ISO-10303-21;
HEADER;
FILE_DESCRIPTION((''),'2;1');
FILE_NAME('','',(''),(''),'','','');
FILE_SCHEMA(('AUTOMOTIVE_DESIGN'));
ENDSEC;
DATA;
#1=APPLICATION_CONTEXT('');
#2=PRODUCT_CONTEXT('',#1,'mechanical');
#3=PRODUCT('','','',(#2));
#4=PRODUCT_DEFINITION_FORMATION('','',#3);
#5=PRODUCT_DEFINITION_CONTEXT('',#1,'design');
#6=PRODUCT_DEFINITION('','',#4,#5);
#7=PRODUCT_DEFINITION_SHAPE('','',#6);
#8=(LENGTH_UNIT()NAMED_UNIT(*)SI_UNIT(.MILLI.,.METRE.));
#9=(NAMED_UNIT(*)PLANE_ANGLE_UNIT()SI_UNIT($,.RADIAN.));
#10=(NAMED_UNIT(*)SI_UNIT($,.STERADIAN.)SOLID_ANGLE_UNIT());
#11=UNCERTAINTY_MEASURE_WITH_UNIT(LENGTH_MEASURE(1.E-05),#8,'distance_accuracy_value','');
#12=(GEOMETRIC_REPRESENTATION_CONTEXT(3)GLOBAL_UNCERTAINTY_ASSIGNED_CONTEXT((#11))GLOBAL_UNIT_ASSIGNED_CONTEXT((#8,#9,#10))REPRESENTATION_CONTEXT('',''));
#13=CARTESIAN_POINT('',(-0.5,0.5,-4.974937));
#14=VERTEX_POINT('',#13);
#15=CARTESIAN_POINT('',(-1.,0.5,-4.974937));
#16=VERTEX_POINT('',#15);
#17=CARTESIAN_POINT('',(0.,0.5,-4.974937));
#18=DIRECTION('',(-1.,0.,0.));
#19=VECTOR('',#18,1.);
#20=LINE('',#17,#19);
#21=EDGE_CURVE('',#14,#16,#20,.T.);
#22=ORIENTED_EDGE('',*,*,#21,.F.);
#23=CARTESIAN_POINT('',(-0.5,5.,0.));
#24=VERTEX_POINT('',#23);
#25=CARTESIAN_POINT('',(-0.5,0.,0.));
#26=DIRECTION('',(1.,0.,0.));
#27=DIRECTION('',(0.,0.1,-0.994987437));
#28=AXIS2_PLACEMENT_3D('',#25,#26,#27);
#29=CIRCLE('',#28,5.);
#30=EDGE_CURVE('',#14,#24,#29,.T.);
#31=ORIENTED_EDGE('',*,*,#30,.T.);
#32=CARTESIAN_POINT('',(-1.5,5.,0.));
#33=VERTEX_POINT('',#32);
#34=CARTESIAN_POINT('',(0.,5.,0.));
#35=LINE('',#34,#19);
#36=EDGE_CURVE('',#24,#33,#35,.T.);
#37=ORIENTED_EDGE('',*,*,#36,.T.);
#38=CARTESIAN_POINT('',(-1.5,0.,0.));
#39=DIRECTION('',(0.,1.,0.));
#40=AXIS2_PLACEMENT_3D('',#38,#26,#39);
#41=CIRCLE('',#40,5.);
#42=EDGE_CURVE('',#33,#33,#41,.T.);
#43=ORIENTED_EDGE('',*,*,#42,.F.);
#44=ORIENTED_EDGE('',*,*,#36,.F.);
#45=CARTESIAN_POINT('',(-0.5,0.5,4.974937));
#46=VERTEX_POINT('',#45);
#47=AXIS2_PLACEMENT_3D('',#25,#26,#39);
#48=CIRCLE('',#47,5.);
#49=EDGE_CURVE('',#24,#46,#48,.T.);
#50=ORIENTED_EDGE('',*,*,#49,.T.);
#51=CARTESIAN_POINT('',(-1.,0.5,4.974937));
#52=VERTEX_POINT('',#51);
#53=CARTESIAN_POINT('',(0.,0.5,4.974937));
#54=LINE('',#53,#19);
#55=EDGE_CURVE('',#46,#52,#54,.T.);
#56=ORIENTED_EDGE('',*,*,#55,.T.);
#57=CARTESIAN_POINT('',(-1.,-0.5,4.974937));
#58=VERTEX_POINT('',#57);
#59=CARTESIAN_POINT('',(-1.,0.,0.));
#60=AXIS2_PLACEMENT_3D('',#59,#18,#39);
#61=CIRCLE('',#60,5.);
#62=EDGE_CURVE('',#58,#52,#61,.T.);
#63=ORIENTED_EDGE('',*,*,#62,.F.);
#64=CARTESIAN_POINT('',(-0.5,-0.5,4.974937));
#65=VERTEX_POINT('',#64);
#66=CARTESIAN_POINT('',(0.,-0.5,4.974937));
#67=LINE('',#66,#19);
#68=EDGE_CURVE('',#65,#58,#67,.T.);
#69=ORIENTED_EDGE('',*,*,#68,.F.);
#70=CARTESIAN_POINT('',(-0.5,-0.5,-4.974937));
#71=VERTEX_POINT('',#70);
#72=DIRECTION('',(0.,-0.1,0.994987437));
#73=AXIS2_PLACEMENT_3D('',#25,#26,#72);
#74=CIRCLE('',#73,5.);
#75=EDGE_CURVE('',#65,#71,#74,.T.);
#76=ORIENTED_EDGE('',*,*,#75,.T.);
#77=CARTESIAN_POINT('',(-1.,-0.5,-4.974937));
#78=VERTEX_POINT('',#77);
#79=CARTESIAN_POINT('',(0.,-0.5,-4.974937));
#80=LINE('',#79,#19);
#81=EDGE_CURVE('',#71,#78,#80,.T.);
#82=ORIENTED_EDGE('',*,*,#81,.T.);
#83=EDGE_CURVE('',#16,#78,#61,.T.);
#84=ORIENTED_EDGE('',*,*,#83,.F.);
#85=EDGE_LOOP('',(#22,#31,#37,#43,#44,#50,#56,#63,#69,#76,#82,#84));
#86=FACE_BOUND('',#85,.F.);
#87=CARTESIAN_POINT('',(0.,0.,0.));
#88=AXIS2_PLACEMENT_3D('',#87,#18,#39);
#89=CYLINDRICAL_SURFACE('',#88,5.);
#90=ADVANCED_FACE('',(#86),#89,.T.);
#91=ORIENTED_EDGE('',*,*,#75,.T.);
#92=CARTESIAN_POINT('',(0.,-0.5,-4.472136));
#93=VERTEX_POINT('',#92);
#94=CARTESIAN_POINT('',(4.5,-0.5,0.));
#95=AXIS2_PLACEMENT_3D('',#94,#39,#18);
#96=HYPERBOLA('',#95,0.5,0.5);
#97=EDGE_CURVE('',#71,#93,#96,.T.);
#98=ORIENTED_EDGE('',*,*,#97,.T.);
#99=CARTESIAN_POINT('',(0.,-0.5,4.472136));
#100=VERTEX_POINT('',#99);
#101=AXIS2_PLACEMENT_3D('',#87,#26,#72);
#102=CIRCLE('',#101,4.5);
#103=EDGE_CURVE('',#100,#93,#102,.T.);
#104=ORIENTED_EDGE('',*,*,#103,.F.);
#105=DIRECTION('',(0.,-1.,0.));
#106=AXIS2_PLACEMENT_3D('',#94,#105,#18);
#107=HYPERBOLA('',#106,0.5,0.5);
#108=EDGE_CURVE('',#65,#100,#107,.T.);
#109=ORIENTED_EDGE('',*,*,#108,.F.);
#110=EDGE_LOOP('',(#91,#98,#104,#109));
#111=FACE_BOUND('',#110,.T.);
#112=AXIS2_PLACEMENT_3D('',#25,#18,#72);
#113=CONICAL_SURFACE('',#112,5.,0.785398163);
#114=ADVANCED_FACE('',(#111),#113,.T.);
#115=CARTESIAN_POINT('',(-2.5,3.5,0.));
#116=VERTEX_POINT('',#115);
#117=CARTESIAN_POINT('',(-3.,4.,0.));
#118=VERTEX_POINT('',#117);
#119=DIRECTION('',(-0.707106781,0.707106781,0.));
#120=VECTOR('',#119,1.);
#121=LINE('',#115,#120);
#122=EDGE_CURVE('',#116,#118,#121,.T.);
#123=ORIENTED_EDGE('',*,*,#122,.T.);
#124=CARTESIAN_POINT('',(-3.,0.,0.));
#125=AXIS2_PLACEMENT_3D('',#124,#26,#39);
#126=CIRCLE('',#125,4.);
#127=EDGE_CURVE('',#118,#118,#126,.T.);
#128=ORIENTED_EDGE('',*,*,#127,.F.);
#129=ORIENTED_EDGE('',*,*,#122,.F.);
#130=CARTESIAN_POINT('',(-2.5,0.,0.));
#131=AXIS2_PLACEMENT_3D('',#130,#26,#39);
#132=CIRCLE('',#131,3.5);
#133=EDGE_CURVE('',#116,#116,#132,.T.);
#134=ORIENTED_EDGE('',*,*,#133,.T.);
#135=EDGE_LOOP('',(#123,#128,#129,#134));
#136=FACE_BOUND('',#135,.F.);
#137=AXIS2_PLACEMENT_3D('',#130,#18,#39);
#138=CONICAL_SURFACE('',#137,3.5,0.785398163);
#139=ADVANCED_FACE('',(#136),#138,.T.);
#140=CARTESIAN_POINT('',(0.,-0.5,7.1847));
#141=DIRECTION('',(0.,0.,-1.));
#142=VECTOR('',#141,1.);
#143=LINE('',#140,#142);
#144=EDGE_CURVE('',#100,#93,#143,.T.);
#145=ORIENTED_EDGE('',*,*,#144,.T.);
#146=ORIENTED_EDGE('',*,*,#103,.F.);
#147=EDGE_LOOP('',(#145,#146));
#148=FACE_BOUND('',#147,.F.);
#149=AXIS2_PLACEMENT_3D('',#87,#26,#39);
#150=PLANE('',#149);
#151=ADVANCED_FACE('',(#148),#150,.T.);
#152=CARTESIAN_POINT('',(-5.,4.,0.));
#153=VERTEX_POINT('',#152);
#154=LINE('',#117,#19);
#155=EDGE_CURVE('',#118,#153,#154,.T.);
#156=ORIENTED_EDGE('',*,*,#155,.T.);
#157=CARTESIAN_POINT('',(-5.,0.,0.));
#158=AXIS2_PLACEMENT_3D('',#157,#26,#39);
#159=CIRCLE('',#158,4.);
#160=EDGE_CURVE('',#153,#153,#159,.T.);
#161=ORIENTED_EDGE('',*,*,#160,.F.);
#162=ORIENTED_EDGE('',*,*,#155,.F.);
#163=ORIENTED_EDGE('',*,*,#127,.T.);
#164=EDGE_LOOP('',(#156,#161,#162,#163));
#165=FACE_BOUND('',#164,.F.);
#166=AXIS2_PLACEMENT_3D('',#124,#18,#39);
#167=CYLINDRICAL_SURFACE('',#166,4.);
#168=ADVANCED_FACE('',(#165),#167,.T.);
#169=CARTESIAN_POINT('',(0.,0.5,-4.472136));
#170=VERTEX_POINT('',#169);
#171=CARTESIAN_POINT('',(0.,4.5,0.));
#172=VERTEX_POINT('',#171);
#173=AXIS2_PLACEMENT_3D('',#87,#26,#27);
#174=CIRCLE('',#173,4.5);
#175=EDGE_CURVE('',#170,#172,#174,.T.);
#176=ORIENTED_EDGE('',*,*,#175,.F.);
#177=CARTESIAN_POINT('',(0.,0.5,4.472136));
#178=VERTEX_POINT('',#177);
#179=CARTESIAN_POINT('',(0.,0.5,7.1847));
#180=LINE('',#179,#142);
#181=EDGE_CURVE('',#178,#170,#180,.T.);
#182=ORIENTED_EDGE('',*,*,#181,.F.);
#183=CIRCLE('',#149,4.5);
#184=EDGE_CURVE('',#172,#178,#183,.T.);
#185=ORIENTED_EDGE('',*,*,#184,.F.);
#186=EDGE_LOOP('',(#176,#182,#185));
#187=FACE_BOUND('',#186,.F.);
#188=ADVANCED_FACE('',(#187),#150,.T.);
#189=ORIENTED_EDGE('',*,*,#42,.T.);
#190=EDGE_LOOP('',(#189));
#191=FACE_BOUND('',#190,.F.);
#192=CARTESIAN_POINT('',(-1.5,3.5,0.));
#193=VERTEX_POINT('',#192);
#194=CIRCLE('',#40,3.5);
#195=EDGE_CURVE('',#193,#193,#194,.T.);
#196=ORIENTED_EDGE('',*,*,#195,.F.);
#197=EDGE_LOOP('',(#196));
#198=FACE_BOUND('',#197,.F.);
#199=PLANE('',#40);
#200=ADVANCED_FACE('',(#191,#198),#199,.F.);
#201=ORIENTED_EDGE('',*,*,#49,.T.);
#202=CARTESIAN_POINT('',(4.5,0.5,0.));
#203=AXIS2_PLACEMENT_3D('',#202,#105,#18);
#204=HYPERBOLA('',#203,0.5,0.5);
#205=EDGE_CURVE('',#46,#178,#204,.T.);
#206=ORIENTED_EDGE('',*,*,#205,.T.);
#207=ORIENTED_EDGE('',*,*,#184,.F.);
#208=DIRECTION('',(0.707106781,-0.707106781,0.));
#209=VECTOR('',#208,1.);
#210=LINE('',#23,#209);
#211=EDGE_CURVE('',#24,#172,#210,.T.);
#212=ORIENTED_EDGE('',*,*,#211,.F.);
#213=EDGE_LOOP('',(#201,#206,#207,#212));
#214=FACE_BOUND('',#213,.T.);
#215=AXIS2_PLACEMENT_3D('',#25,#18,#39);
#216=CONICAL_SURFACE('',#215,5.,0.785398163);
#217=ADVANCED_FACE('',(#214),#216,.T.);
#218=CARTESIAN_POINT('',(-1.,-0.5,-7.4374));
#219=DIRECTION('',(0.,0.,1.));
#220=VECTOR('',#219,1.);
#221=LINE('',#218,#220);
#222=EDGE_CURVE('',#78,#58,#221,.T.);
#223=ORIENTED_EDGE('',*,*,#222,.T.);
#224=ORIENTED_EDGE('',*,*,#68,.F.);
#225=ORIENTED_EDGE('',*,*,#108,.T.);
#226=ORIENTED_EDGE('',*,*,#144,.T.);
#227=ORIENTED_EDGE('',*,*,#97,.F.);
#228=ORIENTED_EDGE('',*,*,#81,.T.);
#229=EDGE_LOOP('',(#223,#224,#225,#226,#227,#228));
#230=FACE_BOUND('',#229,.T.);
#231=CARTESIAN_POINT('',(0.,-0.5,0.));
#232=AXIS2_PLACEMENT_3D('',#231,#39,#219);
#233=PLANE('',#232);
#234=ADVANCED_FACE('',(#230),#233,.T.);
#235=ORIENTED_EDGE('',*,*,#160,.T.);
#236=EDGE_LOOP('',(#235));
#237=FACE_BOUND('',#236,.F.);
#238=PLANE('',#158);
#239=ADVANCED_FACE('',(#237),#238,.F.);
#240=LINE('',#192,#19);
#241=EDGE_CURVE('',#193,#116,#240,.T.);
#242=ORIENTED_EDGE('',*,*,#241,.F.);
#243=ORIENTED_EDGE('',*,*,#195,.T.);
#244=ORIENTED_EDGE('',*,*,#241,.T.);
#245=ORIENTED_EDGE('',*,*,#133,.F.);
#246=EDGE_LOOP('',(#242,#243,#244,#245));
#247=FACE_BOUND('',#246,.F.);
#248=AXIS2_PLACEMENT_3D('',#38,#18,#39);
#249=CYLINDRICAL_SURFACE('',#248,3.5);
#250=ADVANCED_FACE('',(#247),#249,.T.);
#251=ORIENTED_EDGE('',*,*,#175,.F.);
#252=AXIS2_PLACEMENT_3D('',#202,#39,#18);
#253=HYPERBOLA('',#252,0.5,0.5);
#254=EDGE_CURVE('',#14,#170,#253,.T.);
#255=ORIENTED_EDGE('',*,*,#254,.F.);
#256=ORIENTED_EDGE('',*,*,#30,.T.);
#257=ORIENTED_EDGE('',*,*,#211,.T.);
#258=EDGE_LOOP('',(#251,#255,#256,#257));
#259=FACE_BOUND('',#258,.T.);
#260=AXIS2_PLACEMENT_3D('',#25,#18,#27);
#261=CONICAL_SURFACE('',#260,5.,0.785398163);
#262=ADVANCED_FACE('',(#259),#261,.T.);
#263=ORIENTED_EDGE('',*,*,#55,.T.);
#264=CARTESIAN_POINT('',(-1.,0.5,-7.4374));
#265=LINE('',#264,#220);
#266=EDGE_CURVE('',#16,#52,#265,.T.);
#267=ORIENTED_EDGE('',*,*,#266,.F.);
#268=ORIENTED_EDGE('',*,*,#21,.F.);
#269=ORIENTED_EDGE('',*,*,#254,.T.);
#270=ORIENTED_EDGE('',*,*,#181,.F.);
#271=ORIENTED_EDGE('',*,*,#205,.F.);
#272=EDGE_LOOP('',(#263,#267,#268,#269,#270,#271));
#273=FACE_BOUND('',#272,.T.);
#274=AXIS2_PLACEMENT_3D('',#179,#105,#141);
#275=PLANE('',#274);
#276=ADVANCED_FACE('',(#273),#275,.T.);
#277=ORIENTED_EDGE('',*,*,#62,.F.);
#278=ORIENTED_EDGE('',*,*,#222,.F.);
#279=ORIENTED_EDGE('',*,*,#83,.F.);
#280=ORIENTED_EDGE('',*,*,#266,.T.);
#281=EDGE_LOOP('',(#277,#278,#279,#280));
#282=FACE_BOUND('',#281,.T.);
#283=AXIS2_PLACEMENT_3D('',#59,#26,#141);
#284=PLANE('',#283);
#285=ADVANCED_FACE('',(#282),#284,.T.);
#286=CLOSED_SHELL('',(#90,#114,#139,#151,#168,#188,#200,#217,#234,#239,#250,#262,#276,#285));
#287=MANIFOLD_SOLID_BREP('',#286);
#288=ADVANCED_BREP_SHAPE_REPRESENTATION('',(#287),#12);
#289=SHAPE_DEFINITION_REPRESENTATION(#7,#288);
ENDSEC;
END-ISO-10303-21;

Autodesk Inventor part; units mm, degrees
ref_plane "YZ Plane" through (0, 0, 0) normal (1, 0, 0) x (0, 1, 0)
ref_plane "XZ Plane" through (0, 0, 0) normal (0, 1, 0) x (-1, 0, 0)
ref_plane "XY Plane" through (0, 0, 0) normal (0, 0, 1) x (1, 0, 0)
sketch "Skizze1" plane through (0, 0, 0) normal (0, 0, 1) x (1, 0, 0)
  line L0 (-6, 0) -> (1, 0) projected
  line L1 (0, -1) -> (0, 6) projected
  line L2 (0, 0) -> (0, 5)
  line L3 (0, 5) -> (-1.5, 5)
  line L4 (-1.5, 5) -> (-1.5, 3.5)
  line L5 (-1.5, 3.5) -> (-2.5, 3.5)
  line L6 (-2.5, 3.5) -> (-3, 4)
  line L7 (-3, 4) -> (-5, 4)
  line L8 (-5, 4) -> (-5, 0)
  line L9 (-5, 0) -> (0, 0)
  dimension "d0" = 8
  dimension "d1" = 10
  dimension "d2" = 1.5
  dimension "d3" = 1
  dimension "d4" = 7
  dimension "d5" = 45
  dimension "d6" = 5
revolve "Umdrehung1" add sketch "Skizze1" angle 360 about axis through (-10, 0, 0) along (1, 0, 0)
sketch "Skizze2" plane through (0, 0, 0) normal (1, 0, 0) x (0, 0, -1)
  line L0 (-7.1847, 0.5) -> (7.4374, 0.5)
  line L1 (7.4374, 0.5) -> (7.4374, -0.5)
  line L2 (7.4374, -0.5) -> (-7.1847, -0.5)
  line L3 (-7.1847, -0.5) -> (-7.1847, 0.5)
  line L4 (0, -7) -> (0, 7) projected
  line L5 (10.3619, 0) -> (-10.1091, 0) projected
  dimension "d8" = 1
extrude "Extrusion1" cut sketch "Skizze2" against normal blind 1
thread "Gewinde1" size "M8x0.5" class "6g" standard "ANSI Metric M Profile" full length
chamfer "Fase1" distance 0.5 angle 45 3 edges at (0, -5, 0) (0, 3.7081, -3.3541) (0, 3.7081, 3.3541)
properties part number "13_1087_042"
